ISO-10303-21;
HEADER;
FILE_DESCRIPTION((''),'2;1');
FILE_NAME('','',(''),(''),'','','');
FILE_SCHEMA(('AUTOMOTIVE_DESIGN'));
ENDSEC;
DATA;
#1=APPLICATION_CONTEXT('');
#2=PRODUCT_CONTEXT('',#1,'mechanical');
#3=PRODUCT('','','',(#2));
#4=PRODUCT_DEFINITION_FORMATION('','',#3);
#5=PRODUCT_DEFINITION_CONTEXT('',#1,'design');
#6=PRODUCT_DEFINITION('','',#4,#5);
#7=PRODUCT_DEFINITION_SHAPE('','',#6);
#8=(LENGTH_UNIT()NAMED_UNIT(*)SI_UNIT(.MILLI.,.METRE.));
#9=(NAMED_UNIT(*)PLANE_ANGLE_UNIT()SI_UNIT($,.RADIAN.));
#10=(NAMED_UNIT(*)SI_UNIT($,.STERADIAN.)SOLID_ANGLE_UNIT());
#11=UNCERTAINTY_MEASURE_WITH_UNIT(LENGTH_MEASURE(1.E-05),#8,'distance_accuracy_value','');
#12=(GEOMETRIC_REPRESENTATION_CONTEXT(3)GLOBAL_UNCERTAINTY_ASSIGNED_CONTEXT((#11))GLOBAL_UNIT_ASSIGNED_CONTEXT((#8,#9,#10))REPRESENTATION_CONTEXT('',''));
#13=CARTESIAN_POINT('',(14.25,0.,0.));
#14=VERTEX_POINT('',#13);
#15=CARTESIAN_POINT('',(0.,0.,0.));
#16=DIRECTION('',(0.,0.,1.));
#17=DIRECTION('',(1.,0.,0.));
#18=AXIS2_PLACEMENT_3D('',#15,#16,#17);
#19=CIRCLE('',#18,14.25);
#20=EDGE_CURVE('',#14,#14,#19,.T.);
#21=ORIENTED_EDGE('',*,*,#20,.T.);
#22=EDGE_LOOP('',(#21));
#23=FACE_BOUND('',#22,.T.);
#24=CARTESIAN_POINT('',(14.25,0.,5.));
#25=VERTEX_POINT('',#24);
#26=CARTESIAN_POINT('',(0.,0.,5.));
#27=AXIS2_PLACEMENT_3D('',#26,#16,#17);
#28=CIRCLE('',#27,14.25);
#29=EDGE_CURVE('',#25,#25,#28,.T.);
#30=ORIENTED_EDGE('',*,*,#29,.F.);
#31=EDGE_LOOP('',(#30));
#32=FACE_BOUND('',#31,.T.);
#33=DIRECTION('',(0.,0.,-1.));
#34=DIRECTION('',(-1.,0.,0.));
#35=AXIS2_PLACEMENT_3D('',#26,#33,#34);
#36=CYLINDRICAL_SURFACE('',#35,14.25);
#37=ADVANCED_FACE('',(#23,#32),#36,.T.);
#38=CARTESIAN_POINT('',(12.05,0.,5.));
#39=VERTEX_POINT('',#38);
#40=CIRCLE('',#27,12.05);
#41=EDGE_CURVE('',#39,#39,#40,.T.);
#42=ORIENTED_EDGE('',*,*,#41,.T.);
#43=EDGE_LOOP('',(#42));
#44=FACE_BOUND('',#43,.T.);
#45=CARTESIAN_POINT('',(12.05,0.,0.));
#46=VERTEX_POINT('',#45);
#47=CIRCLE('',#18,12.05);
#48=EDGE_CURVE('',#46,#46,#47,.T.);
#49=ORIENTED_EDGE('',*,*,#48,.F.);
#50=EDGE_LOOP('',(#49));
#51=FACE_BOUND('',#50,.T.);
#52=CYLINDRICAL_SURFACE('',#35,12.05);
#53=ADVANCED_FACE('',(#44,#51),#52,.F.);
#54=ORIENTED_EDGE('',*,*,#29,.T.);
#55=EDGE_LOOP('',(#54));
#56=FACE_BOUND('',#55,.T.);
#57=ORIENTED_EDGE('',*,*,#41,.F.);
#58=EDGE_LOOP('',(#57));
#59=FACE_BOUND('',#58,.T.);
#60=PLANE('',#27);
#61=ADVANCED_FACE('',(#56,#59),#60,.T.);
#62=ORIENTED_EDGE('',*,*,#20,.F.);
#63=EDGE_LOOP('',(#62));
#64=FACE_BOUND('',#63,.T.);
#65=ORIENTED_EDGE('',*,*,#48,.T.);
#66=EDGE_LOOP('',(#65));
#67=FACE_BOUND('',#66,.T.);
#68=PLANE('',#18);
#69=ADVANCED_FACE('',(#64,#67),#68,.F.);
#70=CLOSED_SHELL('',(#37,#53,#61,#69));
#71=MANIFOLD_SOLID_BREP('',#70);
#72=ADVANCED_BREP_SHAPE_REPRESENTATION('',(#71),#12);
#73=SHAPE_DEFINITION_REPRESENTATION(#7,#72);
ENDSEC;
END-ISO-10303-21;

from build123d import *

# Parameters (mm, degrees)
SKETCH_1_R      = 14.25
SKETCH_1_R_2    = 12.05
EXTRUDE_1_DEPTH = 5


with BuildPart() as part:
    # 스케치1 → 보스-돌출1 (new body)
    with BuildSketch(Plane.XY):
        Circle(SKETCH_1_R)
        Circle(SKETCH_1_R_2, mode=Mode.SUBTRACT)
    extrude(amount=EXTRUDE_1_DEPTH)


solid = part.part
